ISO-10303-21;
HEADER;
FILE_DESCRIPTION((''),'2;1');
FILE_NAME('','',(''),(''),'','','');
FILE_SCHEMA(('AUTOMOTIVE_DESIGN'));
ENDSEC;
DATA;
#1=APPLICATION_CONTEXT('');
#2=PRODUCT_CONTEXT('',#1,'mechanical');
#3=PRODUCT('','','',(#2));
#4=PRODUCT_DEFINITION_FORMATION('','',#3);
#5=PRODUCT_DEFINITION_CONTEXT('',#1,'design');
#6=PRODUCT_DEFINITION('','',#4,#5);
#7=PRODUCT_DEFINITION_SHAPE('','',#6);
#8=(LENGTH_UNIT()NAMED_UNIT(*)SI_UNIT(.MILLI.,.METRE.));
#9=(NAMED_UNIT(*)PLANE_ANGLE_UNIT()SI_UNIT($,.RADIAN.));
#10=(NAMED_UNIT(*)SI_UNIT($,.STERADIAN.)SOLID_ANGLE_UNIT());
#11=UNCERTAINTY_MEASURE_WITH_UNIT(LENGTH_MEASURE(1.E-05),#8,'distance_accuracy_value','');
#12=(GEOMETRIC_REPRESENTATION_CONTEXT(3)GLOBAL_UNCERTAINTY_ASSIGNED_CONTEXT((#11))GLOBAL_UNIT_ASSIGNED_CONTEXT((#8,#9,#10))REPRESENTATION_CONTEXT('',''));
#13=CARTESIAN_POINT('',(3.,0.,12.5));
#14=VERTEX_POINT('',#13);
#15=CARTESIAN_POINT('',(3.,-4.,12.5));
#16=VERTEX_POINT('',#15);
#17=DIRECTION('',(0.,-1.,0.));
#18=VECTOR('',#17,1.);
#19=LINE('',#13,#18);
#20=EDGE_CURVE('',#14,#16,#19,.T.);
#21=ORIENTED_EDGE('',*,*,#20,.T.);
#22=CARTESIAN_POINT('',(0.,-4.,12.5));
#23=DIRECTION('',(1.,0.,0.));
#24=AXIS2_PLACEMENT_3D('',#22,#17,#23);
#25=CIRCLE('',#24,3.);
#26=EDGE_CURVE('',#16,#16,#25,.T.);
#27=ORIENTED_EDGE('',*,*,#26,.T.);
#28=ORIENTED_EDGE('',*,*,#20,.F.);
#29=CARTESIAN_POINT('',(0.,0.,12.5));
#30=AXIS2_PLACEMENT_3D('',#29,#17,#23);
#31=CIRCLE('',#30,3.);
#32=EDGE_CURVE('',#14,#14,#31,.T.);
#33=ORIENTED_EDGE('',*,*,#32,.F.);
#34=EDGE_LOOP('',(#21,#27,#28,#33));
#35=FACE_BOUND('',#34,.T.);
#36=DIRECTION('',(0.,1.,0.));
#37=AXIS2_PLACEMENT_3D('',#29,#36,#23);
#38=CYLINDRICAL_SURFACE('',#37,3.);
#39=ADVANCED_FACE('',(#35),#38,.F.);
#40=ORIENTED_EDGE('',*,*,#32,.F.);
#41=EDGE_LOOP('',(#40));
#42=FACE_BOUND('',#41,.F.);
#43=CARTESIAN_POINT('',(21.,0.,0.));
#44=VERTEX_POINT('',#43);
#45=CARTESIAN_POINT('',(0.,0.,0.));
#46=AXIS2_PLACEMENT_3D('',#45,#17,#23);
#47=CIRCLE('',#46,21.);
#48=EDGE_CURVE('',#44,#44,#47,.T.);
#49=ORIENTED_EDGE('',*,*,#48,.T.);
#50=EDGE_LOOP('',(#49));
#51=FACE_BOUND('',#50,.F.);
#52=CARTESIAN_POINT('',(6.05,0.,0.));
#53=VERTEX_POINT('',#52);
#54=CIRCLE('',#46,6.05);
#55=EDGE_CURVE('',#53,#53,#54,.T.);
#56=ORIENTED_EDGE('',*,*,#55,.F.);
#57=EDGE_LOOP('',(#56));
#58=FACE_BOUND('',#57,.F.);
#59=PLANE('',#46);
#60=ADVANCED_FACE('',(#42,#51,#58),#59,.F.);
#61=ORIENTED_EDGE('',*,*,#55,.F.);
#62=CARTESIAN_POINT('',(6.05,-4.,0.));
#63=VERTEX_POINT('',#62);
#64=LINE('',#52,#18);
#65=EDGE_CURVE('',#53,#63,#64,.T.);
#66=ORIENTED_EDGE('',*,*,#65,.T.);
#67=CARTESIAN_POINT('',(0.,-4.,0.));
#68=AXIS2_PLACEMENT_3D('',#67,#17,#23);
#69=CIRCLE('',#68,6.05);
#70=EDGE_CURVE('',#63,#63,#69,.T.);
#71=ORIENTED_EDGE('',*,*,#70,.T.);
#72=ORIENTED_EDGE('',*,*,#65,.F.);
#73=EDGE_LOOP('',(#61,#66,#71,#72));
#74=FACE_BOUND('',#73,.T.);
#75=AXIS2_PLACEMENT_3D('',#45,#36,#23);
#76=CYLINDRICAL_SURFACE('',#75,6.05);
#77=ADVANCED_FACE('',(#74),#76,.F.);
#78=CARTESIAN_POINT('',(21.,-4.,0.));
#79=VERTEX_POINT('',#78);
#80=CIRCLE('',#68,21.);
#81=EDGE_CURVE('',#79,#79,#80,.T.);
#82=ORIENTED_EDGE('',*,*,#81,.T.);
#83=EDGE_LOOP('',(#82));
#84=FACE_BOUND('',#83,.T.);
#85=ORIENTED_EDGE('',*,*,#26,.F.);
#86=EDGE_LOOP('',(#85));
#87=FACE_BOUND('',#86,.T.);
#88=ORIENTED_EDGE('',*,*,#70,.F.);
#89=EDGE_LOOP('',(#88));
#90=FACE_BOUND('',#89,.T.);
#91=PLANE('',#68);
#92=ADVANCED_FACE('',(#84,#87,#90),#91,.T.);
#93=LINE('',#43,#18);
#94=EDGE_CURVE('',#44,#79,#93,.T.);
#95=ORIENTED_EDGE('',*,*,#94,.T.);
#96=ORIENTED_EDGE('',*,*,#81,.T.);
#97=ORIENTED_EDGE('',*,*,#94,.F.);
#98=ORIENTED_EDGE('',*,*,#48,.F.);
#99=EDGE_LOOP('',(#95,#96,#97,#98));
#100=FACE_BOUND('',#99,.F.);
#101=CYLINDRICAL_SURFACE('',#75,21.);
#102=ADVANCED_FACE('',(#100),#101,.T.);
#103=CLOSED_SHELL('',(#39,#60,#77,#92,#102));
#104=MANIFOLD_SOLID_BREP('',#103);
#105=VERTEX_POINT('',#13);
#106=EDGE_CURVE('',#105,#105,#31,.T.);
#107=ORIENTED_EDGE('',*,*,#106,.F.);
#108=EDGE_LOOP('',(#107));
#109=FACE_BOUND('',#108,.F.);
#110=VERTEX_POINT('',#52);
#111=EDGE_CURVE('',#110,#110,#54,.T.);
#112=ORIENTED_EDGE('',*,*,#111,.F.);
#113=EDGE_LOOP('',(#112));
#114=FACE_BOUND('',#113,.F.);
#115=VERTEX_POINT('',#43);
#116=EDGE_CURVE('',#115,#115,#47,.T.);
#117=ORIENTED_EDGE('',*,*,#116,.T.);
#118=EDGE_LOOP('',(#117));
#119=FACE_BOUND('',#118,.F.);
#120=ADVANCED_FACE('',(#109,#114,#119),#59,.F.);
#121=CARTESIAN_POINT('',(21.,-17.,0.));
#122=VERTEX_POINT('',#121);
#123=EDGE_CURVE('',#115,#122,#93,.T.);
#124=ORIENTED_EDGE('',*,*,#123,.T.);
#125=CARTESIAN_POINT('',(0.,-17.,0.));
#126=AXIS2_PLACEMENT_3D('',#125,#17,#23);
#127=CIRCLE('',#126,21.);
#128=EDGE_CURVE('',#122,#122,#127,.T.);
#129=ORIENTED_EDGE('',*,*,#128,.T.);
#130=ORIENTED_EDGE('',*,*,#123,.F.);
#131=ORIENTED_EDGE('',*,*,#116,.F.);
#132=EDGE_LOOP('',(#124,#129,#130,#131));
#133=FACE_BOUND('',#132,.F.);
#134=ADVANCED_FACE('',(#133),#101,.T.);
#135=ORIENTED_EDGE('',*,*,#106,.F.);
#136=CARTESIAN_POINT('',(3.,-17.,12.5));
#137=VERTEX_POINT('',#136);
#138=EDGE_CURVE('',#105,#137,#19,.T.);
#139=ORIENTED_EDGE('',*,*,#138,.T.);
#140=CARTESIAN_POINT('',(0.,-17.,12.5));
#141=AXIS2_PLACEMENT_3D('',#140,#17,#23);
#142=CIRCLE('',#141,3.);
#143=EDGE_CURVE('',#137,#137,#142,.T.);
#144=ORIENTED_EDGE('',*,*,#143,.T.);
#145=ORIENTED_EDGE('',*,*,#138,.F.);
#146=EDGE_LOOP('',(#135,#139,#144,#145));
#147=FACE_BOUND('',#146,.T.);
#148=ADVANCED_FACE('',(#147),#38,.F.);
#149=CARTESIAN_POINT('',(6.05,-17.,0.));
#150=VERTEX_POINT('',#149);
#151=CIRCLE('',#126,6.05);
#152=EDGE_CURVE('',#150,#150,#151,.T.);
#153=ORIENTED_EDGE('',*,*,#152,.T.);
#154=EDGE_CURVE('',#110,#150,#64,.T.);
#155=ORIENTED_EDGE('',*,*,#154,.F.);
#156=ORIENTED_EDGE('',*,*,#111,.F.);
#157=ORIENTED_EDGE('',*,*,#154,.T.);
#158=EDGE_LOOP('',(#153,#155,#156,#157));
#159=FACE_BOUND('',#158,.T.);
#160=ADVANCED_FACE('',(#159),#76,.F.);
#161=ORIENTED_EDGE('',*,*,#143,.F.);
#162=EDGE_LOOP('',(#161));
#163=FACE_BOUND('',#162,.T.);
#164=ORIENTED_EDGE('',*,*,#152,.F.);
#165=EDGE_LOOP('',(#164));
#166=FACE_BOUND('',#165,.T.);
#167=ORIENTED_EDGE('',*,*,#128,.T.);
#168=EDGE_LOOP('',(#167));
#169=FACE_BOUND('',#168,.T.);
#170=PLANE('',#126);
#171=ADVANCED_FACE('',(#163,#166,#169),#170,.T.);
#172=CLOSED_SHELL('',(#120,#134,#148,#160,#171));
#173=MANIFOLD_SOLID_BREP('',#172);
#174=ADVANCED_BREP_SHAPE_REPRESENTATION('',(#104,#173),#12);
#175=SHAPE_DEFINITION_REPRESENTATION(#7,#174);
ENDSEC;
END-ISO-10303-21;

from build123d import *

# Parameters (mm, degrees)
F0_R     = 21
F0_R_2   = 6.05
F0_R_3   = 3
F1_DEPTH = 17
F2_DEPTH = 4


with BuildPart() as f1:
    # F0 (on Front) → F1 (new body)
    with BuildSketch(Plane.XZ):
        Circle(F0_R)
        Circle(F0_R_2, mode=Mode.SUBTRACT)
        with Locations((0, 12.5)):
            Circle(F0_R_3, mode=Mode.SUBTRACT)
    extrude(amount=F1_DEPTH)


with BuildPart() as f2:
    # F0 (on Front) → F2 (new body)
    with BuildSketch(Plane.XZ):
        Circle(F0_R)
        Circle(F0_R_2, mode=Mode.SUBTRACT)
        with Locations((0, 12.5)):
            Circle(F0_R_3, mode=Mode.SUBTRACT)
    extrude(amount=F2_DEPTH)


solid = Compound([f1.part, f2.part])
